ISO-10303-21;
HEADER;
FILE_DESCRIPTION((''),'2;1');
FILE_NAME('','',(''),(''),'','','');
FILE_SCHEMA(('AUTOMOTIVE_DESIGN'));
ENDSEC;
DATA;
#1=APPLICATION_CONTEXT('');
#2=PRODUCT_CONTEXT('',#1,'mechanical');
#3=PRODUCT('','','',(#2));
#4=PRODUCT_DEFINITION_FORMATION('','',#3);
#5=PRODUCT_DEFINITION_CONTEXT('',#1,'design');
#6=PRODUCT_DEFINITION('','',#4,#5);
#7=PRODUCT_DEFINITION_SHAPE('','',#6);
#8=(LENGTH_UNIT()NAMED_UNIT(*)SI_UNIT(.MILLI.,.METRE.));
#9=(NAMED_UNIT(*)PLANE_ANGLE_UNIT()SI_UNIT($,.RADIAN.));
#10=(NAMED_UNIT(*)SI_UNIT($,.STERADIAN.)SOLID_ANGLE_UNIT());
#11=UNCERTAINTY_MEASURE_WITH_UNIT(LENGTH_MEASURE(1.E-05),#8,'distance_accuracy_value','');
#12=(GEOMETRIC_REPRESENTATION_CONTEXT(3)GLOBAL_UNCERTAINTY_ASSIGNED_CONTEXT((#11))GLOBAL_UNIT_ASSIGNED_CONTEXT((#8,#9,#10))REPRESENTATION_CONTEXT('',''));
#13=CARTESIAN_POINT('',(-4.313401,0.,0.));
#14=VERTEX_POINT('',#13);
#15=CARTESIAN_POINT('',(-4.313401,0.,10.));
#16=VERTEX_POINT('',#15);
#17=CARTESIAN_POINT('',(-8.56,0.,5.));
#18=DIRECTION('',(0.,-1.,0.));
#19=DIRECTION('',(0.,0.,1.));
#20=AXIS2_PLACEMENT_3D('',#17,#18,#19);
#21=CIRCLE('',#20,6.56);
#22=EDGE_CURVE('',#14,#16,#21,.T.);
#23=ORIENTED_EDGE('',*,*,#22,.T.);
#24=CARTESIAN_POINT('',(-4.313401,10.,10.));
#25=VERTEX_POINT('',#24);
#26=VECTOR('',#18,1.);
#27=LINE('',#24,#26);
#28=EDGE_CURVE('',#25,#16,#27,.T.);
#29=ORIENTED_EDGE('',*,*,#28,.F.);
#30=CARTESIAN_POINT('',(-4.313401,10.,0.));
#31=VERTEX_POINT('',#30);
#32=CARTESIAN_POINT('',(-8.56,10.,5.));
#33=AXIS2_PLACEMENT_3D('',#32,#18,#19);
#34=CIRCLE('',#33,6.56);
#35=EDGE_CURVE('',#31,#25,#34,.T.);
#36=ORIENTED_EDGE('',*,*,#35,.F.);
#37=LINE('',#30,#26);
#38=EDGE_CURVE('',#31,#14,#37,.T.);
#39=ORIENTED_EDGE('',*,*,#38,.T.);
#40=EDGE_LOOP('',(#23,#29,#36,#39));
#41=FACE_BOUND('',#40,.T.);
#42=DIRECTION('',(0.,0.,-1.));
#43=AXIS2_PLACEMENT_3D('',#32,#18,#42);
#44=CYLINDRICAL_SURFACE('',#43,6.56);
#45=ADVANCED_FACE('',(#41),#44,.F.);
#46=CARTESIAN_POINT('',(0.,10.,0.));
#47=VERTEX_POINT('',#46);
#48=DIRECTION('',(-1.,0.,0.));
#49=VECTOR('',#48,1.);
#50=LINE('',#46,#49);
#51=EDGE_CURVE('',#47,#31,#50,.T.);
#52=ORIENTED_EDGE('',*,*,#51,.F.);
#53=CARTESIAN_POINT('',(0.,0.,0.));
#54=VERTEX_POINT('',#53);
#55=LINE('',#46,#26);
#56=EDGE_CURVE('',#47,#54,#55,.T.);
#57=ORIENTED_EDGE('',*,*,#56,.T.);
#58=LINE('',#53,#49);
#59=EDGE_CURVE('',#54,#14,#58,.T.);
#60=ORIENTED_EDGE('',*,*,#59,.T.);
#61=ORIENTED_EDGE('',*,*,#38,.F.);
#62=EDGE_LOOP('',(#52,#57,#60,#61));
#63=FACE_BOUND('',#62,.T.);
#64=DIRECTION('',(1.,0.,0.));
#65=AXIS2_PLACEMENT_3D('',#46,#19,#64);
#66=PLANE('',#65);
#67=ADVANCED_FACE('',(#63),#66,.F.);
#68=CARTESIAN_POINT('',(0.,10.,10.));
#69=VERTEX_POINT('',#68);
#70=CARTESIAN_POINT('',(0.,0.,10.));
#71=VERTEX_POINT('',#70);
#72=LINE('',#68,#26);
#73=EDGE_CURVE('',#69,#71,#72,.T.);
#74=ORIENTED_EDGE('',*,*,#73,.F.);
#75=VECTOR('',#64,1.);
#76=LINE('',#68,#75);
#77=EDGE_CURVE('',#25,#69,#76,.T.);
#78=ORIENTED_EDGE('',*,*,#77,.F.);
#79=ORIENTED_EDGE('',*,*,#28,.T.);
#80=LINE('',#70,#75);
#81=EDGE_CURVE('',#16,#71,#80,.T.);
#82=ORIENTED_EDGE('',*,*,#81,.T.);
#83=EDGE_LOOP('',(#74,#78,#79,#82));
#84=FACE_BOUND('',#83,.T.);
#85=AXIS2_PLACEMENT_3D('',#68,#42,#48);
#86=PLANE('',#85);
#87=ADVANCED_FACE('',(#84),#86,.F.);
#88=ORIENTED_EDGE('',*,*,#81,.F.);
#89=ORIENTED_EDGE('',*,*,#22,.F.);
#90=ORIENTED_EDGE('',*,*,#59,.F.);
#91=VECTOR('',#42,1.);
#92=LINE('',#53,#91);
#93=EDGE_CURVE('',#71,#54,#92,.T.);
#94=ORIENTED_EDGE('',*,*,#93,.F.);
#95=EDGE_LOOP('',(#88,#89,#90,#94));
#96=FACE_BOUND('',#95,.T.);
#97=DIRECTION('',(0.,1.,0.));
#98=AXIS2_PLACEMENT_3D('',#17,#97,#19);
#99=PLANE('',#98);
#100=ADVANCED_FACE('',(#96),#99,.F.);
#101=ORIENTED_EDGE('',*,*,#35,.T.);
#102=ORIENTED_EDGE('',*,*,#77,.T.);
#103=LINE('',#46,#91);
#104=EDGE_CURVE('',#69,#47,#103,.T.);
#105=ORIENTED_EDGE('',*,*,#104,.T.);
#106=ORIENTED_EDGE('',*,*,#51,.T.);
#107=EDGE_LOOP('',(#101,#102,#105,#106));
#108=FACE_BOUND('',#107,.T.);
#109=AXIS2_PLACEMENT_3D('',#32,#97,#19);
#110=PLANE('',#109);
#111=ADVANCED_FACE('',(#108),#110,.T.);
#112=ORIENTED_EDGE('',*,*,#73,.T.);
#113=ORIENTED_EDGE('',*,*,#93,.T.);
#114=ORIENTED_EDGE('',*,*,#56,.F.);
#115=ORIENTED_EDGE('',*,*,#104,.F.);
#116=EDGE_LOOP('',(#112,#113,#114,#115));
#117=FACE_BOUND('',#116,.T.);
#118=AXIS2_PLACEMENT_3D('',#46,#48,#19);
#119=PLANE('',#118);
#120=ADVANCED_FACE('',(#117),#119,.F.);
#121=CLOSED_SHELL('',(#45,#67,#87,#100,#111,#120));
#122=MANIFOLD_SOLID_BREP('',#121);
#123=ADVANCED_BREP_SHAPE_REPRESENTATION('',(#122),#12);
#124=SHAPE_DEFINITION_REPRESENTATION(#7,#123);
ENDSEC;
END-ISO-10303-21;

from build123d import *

# Parameters (mm, degrees)
EXTRUDE_1_DEPTH = 10


with BuildPart() as part:
    # 草图1 → 凸台-拉伸1 (new body)
    with BuildSketch(Plane(origin=(0, 0, 0), x_dir=(1, 0, 0), z_dir=(0, 1, 0))):
        with BuildLine():
            Line((0, 0), (0, -10))
            Line((0, -10), (-4.313401361, -10))
            ThreePointArc((-4.313401361, -10), (-2, -5), (-4.313401361, 0))
            Line((-4.313401361, 0), (0, 0))
        make_face()
    extrude(amount=EXTRUDE_1_DEPTH)


solid = part.part
